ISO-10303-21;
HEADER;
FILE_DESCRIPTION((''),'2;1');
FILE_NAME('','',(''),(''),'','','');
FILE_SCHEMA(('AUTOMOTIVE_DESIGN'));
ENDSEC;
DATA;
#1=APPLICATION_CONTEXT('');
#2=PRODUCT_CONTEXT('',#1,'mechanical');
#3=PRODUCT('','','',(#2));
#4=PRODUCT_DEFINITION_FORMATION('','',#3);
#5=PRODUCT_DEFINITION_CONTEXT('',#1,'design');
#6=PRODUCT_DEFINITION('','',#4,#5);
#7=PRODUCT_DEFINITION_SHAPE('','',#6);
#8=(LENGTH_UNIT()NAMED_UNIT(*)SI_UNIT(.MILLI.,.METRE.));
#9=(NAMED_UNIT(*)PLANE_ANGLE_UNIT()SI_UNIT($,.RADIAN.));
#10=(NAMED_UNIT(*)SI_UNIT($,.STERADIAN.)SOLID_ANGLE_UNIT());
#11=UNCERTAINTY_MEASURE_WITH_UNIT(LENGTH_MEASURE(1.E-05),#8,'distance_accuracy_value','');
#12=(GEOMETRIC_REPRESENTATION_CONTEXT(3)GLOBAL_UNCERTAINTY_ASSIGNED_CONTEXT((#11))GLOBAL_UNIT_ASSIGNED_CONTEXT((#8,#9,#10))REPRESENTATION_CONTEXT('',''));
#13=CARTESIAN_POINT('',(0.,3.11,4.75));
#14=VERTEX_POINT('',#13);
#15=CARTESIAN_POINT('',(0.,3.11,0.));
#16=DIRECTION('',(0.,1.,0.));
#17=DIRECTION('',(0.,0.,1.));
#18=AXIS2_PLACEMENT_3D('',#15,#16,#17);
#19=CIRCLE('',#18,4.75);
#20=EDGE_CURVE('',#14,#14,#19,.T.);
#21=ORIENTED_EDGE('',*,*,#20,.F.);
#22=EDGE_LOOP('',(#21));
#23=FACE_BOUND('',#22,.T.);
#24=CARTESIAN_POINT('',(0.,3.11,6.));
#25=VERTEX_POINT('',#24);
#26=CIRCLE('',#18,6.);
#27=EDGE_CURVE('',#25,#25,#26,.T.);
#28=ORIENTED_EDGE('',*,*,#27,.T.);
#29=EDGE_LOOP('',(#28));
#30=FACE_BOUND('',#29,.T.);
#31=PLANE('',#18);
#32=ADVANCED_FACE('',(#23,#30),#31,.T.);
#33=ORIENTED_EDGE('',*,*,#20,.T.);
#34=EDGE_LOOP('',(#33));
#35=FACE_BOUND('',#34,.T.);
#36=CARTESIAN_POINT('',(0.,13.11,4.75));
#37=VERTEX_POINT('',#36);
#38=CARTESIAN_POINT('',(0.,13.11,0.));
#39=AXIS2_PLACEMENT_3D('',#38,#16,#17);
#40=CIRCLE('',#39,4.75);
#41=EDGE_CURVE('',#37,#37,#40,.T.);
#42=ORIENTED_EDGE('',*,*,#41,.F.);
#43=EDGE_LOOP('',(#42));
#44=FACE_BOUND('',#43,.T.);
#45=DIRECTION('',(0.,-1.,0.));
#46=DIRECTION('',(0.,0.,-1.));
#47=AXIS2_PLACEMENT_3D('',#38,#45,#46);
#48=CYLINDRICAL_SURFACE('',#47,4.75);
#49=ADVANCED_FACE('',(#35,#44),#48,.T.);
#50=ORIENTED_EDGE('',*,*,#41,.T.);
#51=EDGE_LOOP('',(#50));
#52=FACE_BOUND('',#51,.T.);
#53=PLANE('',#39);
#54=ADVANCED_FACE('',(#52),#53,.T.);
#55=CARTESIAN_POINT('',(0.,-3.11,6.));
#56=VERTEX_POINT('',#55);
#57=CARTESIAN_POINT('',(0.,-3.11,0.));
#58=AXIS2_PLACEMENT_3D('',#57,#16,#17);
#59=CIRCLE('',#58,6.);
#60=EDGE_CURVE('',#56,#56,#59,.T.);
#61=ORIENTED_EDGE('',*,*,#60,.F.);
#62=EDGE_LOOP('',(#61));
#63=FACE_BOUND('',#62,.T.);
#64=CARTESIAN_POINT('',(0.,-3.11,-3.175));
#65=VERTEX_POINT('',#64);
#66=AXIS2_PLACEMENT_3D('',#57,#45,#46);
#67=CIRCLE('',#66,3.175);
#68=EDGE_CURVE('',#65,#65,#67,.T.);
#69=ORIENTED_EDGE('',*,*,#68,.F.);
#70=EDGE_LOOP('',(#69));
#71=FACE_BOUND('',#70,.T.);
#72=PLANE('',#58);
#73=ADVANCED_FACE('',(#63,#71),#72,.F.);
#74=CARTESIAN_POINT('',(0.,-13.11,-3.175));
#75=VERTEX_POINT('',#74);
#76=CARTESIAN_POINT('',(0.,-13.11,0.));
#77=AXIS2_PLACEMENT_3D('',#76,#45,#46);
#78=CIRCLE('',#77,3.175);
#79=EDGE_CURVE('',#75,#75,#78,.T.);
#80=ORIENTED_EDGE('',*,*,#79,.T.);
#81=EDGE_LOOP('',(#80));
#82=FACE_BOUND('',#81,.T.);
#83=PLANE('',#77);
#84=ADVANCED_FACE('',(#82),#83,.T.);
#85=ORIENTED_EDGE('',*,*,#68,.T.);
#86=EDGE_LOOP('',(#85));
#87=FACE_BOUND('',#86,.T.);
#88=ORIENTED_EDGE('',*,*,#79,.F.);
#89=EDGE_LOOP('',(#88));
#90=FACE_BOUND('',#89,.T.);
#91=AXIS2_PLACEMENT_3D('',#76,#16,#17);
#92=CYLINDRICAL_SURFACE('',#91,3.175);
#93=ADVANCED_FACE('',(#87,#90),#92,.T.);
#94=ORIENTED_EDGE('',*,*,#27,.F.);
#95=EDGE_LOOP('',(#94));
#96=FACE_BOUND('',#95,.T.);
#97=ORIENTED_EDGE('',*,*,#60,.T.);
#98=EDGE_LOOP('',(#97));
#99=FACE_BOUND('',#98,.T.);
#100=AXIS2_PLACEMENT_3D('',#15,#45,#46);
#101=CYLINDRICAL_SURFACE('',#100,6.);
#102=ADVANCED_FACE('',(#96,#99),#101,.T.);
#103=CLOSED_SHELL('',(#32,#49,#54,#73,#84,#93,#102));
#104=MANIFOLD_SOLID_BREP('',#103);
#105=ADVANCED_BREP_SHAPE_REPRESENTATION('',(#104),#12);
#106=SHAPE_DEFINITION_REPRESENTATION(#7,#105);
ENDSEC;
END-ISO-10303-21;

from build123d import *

# Parameters (mm, degrees)
SKETCH1_R           = 6
BOSS_EXTRUDE1_DEPTH = 3.11
SKETCH2_R           = 4.75
BOSS_EXTRUDE2_DEPTH = 10
SKETCH3_R           = 3.175
BOSS_EXTRUDE3_DEPTH = 10


with BuildPart() as part:
    # Sketch1 → Boss-Extrude1 (new, symmetric)
    with BuildSketch(Plane(origin=(0, 0, 0), x_dir=(1, 0, 0), z_dir=(0, 1, 0))):
        with Locations(Location((0, 0, 0), (0, 0, 270))):
            Circle(SKETCH1_R)
    extrude(amount=BOSS_EXTRUDE1_DEPTH, both=True)

    # Sketch2 → Boss-Extrude2 (add)
    with BuildSketch(Plane(origin=(0, 3.11, 0), x_dir=(1, 0, 0), z_dir=(0, 1, 0))):
        with Locations(Location((0, 0, 0), (0, 0, 270))):
            Circle(SKETCH2_R)
    extrude(amount=BOSS_EXTRUDE2_DEPTH)

    # Sketch3 → Boss-Extrude3 (add)
    with BuildSketch(Plane.XZ.offset(3.11)):
        with Locations(Location((0, 0, 0), (0, 0, 270))):
            Circle(SKETCH3_R)
    extrude(amount=BOSS_EXTRUDE3_DEPTH)


solid = part.part
